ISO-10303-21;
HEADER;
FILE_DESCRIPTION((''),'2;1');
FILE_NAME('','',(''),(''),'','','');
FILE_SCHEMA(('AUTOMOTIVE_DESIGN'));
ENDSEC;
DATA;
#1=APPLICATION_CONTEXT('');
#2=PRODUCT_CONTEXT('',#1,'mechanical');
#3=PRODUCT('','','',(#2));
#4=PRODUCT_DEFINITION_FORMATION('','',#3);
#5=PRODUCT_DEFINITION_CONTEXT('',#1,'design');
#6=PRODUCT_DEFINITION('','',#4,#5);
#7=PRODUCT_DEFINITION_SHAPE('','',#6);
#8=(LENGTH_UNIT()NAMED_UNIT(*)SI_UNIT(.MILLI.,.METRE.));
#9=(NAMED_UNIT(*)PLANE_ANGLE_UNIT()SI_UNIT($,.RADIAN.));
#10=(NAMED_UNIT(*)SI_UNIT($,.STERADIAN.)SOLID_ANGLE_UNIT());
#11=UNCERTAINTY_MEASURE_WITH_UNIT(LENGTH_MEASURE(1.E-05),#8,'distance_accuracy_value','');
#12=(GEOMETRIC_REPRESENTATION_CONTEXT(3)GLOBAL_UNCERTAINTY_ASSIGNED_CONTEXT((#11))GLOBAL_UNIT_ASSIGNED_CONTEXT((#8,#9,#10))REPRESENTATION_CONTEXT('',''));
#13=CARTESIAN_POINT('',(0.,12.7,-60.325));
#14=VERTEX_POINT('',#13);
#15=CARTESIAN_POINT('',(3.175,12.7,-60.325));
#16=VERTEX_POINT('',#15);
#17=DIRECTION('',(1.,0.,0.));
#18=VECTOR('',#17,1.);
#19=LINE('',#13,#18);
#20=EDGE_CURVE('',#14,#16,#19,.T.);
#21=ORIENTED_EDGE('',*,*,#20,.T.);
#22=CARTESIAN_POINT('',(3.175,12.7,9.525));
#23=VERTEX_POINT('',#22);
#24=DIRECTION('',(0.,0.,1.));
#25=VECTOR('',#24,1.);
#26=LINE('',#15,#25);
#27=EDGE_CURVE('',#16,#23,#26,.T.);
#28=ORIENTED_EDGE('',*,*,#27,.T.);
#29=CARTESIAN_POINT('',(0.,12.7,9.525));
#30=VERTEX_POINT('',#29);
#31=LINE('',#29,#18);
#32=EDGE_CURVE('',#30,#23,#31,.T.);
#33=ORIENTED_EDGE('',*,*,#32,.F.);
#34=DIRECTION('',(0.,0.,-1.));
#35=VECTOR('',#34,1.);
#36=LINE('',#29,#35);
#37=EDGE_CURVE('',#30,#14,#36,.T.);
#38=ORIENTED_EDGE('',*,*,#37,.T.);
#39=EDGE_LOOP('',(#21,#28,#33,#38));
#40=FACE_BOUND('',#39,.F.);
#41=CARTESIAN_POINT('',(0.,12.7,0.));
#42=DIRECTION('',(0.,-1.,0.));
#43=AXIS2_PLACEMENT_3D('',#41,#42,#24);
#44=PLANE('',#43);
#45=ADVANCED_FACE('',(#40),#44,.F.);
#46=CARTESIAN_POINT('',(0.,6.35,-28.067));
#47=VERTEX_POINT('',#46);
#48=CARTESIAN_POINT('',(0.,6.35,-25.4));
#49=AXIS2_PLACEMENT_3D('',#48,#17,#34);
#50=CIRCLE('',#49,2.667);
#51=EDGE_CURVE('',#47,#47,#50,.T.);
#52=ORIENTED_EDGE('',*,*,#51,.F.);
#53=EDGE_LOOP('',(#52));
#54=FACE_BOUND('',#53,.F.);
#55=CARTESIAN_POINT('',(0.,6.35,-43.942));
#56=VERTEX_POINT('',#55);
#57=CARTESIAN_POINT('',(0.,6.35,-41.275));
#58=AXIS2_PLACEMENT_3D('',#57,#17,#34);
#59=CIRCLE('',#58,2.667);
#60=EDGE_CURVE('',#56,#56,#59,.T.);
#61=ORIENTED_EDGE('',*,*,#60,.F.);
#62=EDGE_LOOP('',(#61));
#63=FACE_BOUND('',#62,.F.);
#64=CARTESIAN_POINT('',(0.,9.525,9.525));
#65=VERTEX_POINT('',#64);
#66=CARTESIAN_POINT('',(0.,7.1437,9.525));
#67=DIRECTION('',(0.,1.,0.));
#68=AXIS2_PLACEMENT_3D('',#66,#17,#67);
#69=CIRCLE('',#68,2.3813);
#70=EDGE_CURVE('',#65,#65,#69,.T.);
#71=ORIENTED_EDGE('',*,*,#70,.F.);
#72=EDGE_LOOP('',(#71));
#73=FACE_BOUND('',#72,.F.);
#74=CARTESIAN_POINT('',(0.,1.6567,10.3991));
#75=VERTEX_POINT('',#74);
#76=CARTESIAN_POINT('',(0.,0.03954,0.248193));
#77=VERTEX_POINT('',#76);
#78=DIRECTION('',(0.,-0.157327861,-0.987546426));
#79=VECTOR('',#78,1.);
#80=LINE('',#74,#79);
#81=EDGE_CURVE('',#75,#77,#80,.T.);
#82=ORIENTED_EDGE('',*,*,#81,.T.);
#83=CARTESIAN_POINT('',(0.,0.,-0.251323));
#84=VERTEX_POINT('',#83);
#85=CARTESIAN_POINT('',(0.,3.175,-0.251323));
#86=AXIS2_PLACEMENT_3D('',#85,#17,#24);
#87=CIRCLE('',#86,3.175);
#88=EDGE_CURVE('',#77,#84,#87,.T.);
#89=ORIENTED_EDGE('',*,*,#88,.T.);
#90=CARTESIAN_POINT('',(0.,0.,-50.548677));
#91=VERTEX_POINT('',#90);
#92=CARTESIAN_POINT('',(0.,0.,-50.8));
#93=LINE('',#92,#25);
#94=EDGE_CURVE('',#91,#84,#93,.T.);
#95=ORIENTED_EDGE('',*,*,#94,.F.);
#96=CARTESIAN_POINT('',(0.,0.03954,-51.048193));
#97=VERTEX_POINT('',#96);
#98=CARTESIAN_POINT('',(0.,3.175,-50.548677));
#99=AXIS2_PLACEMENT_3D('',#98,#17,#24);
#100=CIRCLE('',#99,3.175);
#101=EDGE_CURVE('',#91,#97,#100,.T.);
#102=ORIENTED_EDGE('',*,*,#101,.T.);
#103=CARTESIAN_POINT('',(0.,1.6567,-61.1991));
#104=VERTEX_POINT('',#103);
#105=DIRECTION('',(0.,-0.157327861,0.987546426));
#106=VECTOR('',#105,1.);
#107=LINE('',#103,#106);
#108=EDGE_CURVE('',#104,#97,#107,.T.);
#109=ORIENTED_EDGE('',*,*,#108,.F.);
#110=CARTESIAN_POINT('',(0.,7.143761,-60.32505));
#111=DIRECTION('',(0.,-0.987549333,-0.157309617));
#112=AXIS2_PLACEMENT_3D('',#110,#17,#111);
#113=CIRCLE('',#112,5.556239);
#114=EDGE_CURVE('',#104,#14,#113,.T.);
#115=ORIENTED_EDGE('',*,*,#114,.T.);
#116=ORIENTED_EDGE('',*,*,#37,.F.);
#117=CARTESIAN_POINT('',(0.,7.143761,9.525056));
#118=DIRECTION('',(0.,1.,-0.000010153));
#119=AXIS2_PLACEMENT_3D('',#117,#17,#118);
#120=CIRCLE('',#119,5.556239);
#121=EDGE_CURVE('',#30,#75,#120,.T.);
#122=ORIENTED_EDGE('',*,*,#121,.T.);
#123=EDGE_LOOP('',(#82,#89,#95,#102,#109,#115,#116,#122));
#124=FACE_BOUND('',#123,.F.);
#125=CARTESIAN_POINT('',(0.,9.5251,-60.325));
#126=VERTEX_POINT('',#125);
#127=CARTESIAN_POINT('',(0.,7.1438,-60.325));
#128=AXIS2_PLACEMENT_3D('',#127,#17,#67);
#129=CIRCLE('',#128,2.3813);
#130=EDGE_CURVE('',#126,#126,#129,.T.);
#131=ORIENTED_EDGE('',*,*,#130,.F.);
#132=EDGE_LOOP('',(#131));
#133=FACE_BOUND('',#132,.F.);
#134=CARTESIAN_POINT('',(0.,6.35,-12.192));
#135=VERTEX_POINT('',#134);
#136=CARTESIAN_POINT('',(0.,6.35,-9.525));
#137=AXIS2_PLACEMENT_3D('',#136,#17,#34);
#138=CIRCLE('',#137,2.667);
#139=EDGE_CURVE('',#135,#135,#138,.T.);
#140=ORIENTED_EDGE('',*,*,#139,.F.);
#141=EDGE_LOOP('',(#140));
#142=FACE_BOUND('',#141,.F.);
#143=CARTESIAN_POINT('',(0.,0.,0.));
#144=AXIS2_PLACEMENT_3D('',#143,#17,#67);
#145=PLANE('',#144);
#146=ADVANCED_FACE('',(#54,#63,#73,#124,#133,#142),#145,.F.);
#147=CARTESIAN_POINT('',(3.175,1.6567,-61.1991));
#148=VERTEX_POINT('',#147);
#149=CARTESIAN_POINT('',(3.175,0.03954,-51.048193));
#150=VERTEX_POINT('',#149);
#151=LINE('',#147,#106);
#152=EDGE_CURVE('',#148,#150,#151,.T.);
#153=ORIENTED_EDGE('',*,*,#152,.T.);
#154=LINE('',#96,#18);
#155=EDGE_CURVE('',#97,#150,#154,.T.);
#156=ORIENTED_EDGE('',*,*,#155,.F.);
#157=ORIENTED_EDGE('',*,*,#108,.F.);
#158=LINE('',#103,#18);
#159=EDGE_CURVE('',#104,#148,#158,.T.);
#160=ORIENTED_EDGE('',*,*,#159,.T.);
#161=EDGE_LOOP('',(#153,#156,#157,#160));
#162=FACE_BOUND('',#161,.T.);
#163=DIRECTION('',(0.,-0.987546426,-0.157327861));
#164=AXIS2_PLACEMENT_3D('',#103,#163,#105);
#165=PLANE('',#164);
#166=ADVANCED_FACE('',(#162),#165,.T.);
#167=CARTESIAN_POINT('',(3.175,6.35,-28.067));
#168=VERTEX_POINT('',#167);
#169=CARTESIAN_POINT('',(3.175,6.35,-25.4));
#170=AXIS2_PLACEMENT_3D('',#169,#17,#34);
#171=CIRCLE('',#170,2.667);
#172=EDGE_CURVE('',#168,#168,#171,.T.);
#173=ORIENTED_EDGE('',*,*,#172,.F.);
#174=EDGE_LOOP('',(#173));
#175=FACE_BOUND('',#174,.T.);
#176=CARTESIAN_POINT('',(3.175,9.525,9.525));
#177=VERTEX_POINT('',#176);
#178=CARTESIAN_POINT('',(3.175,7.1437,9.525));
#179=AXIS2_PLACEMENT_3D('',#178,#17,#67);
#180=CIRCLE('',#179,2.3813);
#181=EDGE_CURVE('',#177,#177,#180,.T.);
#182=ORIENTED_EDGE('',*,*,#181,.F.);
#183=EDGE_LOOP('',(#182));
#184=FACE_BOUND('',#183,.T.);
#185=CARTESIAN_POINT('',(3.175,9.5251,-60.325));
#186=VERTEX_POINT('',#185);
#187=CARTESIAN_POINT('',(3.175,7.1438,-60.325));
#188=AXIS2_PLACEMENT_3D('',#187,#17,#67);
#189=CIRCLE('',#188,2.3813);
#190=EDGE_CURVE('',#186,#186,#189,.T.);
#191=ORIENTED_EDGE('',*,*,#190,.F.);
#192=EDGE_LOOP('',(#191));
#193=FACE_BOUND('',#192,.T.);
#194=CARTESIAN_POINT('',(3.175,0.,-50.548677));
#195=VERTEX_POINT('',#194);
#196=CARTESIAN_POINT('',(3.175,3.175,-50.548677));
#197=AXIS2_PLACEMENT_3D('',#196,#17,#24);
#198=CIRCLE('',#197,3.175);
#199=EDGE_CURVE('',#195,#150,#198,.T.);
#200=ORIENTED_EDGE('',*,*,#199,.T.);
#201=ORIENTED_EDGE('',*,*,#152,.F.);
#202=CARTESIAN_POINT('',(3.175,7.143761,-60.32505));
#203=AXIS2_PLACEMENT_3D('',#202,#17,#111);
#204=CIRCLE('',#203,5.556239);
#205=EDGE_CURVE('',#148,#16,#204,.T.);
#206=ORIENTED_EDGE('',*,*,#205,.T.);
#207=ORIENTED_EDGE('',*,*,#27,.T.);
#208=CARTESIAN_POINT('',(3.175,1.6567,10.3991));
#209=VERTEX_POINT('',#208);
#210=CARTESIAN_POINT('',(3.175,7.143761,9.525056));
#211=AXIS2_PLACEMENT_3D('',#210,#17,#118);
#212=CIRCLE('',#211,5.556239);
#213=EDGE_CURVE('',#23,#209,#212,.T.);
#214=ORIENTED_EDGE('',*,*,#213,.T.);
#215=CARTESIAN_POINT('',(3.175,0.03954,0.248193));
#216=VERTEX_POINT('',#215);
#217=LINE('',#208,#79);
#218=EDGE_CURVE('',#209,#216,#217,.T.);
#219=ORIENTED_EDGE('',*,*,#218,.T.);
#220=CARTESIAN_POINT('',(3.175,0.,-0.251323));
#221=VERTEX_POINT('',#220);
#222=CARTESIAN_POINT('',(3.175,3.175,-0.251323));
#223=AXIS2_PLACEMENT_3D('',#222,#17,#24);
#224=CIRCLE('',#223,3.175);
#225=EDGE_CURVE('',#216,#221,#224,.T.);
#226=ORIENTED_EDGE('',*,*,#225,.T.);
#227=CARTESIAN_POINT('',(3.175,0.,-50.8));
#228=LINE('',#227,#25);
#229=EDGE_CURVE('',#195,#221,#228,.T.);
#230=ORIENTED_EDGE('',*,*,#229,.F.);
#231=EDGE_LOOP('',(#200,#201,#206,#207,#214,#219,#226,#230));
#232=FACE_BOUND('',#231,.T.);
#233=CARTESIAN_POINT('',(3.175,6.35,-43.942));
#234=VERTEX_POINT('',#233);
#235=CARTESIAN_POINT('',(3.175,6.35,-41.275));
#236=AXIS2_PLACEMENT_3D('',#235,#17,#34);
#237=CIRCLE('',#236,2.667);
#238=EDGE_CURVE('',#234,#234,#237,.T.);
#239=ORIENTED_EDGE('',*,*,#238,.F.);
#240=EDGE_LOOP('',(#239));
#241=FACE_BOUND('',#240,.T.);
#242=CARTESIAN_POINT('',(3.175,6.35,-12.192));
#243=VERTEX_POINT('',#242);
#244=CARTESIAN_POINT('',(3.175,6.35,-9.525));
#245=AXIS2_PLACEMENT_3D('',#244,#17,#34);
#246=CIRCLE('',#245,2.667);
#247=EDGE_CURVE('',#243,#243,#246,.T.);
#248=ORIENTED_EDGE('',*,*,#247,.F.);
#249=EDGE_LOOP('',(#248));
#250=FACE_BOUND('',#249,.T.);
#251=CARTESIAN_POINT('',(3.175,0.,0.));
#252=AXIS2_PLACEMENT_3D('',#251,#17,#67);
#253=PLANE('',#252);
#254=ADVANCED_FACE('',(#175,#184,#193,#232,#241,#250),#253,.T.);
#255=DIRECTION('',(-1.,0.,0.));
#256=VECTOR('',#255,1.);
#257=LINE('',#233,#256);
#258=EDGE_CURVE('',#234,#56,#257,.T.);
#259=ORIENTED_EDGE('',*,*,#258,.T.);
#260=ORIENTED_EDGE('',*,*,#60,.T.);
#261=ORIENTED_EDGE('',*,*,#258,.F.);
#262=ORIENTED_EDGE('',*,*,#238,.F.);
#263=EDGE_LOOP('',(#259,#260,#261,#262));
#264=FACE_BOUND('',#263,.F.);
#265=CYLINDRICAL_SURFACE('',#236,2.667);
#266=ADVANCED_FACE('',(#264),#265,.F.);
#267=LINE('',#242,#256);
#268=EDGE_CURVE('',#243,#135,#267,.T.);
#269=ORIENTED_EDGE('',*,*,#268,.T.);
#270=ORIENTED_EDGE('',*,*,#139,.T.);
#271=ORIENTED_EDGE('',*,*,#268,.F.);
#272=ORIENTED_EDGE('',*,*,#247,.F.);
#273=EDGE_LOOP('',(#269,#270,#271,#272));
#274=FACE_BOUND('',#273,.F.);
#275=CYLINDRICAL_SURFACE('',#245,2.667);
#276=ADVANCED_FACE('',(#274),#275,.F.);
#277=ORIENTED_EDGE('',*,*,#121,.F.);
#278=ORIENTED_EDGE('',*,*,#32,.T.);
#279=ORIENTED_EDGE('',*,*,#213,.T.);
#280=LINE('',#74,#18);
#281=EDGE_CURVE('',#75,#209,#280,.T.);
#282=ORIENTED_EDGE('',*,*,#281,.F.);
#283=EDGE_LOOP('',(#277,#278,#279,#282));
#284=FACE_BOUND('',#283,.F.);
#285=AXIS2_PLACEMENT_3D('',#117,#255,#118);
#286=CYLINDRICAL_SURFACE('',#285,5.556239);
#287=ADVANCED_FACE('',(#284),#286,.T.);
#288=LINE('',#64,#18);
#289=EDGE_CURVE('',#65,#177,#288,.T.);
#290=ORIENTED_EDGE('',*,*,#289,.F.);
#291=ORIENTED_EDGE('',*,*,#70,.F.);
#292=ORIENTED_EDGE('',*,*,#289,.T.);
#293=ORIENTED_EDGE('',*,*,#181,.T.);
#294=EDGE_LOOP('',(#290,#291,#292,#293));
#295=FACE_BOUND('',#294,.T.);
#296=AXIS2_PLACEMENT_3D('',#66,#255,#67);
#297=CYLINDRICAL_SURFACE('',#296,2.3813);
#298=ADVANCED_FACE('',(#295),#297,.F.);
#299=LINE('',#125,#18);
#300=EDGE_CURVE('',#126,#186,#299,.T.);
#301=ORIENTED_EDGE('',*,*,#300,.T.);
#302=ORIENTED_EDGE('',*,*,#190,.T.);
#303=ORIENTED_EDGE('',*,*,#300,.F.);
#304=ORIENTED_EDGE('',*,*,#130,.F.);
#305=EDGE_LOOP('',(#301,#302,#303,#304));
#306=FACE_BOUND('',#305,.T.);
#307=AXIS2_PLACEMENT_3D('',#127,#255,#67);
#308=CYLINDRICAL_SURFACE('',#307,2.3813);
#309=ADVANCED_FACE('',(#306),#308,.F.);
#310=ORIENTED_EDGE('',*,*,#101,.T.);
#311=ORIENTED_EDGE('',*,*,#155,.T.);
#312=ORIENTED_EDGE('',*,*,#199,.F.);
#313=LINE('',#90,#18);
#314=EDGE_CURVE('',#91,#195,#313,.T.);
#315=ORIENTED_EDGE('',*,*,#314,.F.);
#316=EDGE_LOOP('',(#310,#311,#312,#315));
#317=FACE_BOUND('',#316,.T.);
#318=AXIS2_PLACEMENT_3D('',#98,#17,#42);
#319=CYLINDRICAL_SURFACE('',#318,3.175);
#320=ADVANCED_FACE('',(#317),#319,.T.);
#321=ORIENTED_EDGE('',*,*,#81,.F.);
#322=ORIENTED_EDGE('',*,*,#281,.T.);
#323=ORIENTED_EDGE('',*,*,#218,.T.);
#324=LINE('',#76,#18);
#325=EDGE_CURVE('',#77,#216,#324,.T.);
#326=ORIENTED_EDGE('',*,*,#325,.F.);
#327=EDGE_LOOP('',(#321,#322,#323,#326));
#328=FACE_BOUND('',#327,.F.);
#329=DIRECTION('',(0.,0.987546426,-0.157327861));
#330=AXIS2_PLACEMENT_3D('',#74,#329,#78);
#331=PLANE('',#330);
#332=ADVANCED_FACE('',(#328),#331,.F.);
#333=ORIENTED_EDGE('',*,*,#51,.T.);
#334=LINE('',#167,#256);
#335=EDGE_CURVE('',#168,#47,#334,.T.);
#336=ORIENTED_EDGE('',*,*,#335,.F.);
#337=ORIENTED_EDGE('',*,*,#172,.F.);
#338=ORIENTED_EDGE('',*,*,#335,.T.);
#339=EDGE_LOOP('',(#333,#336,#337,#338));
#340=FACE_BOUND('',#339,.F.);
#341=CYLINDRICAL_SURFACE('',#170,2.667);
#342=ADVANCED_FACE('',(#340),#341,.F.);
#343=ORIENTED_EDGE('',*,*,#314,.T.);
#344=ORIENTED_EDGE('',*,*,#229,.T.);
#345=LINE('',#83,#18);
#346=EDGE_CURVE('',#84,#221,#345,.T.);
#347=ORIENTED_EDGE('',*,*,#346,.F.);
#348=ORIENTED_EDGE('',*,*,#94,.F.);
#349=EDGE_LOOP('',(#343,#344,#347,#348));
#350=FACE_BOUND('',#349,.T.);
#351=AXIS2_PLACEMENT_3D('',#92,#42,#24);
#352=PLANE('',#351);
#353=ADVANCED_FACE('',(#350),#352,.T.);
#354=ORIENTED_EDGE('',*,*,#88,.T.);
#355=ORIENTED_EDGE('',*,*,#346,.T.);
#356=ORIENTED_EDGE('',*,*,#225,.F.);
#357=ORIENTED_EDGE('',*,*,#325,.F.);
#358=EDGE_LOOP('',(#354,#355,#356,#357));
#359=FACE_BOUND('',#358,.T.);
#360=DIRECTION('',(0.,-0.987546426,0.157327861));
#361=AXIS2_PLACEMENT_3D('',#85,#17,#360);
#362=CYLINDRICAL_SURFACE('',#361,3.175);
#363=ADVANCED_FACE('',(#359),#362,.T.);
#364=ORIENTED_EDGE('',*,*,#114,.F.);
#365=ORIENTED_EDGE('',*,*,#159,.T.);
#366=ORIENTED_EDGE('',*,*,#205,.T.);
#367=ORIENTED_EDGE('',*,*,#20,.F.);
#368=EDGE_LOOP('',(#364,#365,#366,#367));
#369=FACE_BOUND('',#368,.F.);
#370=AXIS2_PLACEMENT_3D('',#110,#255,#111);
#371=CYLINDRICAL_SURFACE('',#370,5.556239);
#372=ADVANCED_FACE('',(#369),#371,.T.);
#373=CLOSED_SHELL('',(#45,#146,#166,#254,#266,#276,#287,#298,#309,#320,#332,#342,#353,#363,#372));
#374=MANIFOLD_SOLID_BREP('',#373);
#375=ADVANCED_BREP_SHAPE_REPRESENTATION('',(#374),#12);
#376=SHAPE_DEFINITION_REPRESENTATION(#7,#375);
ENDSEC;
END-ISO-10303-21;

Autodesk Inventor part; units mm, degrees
ref_plane "YZ Plane" through (0, 0, 0) normal (1, 0, 0) x (0, 1, 0)
ref_plane "XZ Plane" through (0, 0, 0) normal (0, 1, 0) x (-1, 0, 0)
ref_plane "XY Plane" through (0, 0, 0) normal (0, 0, 1) x (1, 0, 0)
sketch "Sketch1" plane through (0, 0, 0) normal (1, 0, 0) x (0, 1, 0)
  line L0 (0, 0) -> (12.7, 0)
  line L1 (12.7, 0) -> (12.7, -50.8)
  line L2 (12.7, -50.8) -> (0, -50.8)
  line L3 (0, -50.8) -> (0, 0)
  arc A0 (12.7, 9.525) -> (1.6567, 10.3991) centre (7.1437, 9.525) ccw
  line L4 (12.7, 0) -> (12.7, 9.525)
  line L5 (1.6567, 10.3991) -> (0, 0)
  line L6 (7.1437, 9.525) -> (7.1437, 0) construction
  circle A1 centre (7.1437, 9.525) radius 6.35 construction
  line L7 (12.7, -25.4) -> (0, -25.4) construction
  arc A2 (1.6567, -61.1991) -> (12.7, -60.325) centre (7.1438, -60.325) ccw
  line L8 (12.7, -50.8) -> (12.7, -60.325)
  line L9 (1.6567, -61.1991) -> (0, -50.8)
  circle A3 centre (7.1437, 9.525) radius 2.3813
  circle A4 centre (7.1438, -60.325) radius 2.3813
  dimension "d0" = 12.7
  dimension "d1" = 50.8
  dimension "d7" = 12.7
  dimension "d8" = 9.525
  dimension "d11" = 4.7625
  dimension "d25" = 3.175
extrude "Extrusion1" add sketch "Sketch1" along normal blind 3.175
sketch "Sketch2" plane through (3.175, 0, 0) normal (1, 0, 0) x (0, 0, -1)
  line L0 (60.325, 12.7) -> (-9.525, 12.7) projected
  line L1 (25.4, 12.7) -> (25.4, 0) construction
  line L2 (0, 0) -> (50.8, 0) projected
  line L3 (0, 12.7) -> (50.8, 12.7) construction
  line L4 (50.8, 12.7) -> (50.8, 38.1) construction
  line L5 (50.8, 38.1) -> (0, 38.1) construction
  line L6 (0, 38.1) -> (0, 12.7) construction
  line L7 (3.175, 34.925) -> (47.625, 34.925) construction
  line L8 (47.625, 34.925) -> (47.625, 15.875) construction
  line L9 (47.625, 15.875) -> (3.175, 15.875) construction
  line L10 (3.175, 15.875) -> (3.175, 34.925) construction
  circle A0 centre (9.525, 6.35) radius 2.667
  line L11 (25.4, 6.35) -> (44.9012, 6.35) construction
  circle A1 centre (25.4, 6.35) radius 2.667
  line L12 (9.525, 6.35) -> (32.9122, 6.35) construction
  circle A2 centre (41.275, 6.35) radius 2.667
  circle A3 centre (9.525, 6.35) radius 2.667
  circle A4 centre (25.4, 6.35) radius 2.667
  circle A5 centre (41.275, 6.35) radius 2.667
  dimension "d16" = 50.8
  dimension "d17" = 25.4
  dimension "d18" = 3.175
  dimension "d19" = 5.334
  dimension "d20" = 15.875
  dimension "d21" = 6.35
  dimension "d22" = 5.334
extrude "Extrusion2" cut sketch "Sketch2" against normal through all
fillet "Fillet1" radius 3.175 2 edges at (1.5875, 0, 0) (1.5875, 0, -50.8)
properties part number "ElevatorCarriageBearingGusset"
